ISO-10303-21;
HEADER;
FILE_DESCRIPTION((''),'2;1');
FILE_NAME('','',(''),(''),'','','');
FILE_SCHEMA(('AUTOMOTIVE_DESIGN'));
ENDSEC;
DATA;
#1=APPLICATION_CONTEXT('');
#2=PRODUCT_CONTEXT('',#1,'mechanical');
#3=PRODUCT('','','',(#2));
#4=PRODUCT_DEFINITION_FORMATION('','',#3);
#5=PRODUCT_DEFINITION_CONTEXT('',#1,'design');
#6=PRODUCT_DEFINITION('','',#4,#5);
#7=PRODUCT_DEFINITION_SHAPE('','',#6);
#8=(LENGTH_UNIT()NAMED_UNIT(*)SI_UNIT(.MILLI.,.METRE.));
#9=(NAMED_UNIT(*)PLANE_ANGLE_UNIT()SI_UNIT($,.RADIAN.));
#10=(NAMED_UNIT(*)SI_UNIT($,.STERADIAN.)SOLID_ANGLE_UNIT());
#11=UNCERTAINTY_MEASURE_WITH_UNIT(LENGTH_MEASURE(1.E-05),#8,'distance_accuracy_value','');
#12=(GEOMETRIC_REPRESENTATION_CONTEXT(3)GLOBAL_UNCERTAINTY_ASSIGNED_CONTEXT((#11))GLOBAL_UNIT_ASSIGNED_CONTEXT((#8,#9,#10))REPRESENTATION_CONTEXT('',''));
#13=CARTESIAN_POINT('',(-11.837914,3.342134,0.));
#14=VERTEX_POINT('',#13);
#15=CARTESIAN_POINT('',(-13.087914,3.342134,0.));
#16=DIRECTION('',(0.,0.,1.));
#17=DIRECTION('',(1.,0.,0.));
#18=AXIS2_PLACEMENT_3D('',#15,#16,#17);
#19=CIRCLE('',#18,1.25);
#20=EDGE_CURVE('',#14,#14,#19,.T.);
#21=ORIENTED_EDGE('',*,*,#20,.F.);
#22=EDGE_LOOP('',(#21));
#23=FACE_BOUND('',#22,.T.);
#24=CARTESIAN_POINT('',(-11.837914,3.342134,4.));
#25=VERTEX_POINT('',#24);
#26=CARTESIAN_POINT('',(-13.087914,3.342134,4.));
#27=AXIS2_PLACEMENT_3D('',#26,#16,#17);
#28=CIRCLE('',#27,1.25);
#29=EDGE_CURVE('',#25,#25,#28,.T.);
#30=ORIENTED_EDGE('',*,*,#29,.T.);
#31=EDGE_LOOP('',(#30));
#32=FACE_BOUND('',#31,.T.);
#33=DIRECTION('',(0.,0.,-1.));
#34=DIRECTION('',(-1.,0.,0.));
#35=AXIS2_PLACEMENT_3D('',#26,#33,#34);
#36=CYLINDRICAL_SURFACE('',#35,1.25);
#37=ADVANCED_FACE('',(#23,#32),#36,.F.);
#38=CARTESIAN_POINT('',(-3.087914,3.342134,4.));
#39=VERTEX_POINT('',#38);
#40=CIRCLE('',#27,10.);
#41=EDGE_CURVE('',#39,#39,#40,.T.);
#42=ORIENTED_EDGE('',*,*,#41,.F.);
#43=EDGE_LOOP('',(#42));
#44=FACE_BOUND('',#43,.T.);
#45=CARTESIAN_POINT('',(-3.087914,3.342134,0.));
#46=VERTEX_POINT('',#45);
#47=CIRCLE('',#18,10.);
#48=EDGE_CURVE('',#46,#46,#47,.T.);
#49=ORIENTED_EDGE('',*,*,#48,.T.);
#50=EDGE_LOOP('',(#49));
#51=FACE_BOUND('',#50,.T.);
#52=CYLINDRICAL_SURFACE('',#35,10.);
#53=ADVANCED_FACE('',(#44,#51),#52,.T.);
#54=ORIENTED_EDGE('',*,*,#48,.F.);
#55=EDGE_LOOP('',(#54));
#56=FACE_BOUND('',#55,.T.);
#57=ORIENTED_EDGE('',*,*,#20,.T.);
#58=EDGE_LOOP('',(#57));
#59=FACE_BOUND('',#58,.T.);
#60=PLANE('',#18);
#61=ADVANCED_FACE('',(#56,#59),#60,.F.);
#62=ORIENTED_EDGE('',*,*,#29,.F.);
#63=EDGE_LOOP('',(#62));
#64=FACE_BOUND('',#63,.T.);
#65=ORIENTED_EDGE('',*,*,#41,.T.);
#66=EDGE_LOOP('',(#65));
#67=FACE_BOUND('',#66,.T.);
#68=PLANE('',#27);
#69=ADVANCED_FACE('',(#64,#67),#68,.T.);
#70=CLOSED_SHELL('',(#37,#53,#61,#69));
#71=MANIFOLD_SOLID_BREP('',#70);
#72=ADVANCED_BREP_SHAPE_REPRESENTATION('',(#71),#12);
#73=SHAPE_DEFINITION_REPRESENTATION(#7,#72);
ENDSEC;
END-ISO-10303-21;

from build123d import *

# Parameters (mm, degrees)
SKETCH_1_R      = 10
SKETCH_1_R_2    = 1.25
EXTRUDE_1_DEPTH = 4


with BuildPart() as part:
    # 草圖1 → 填料-伸長1 (new body)
    with BuildSketch(Plane.XY):
        with Locations((-13.087913908, 3.342134229)):
            Circle(SKETCH_1_R)
        with Locations((-13.087913908, 3.342134229)):
            Circle(SKETCH_1_R_2, mode=Mode.SUBTRACT)
    extrude(amount=EXTRUDE_1_DEPTH)


solid = part.part
